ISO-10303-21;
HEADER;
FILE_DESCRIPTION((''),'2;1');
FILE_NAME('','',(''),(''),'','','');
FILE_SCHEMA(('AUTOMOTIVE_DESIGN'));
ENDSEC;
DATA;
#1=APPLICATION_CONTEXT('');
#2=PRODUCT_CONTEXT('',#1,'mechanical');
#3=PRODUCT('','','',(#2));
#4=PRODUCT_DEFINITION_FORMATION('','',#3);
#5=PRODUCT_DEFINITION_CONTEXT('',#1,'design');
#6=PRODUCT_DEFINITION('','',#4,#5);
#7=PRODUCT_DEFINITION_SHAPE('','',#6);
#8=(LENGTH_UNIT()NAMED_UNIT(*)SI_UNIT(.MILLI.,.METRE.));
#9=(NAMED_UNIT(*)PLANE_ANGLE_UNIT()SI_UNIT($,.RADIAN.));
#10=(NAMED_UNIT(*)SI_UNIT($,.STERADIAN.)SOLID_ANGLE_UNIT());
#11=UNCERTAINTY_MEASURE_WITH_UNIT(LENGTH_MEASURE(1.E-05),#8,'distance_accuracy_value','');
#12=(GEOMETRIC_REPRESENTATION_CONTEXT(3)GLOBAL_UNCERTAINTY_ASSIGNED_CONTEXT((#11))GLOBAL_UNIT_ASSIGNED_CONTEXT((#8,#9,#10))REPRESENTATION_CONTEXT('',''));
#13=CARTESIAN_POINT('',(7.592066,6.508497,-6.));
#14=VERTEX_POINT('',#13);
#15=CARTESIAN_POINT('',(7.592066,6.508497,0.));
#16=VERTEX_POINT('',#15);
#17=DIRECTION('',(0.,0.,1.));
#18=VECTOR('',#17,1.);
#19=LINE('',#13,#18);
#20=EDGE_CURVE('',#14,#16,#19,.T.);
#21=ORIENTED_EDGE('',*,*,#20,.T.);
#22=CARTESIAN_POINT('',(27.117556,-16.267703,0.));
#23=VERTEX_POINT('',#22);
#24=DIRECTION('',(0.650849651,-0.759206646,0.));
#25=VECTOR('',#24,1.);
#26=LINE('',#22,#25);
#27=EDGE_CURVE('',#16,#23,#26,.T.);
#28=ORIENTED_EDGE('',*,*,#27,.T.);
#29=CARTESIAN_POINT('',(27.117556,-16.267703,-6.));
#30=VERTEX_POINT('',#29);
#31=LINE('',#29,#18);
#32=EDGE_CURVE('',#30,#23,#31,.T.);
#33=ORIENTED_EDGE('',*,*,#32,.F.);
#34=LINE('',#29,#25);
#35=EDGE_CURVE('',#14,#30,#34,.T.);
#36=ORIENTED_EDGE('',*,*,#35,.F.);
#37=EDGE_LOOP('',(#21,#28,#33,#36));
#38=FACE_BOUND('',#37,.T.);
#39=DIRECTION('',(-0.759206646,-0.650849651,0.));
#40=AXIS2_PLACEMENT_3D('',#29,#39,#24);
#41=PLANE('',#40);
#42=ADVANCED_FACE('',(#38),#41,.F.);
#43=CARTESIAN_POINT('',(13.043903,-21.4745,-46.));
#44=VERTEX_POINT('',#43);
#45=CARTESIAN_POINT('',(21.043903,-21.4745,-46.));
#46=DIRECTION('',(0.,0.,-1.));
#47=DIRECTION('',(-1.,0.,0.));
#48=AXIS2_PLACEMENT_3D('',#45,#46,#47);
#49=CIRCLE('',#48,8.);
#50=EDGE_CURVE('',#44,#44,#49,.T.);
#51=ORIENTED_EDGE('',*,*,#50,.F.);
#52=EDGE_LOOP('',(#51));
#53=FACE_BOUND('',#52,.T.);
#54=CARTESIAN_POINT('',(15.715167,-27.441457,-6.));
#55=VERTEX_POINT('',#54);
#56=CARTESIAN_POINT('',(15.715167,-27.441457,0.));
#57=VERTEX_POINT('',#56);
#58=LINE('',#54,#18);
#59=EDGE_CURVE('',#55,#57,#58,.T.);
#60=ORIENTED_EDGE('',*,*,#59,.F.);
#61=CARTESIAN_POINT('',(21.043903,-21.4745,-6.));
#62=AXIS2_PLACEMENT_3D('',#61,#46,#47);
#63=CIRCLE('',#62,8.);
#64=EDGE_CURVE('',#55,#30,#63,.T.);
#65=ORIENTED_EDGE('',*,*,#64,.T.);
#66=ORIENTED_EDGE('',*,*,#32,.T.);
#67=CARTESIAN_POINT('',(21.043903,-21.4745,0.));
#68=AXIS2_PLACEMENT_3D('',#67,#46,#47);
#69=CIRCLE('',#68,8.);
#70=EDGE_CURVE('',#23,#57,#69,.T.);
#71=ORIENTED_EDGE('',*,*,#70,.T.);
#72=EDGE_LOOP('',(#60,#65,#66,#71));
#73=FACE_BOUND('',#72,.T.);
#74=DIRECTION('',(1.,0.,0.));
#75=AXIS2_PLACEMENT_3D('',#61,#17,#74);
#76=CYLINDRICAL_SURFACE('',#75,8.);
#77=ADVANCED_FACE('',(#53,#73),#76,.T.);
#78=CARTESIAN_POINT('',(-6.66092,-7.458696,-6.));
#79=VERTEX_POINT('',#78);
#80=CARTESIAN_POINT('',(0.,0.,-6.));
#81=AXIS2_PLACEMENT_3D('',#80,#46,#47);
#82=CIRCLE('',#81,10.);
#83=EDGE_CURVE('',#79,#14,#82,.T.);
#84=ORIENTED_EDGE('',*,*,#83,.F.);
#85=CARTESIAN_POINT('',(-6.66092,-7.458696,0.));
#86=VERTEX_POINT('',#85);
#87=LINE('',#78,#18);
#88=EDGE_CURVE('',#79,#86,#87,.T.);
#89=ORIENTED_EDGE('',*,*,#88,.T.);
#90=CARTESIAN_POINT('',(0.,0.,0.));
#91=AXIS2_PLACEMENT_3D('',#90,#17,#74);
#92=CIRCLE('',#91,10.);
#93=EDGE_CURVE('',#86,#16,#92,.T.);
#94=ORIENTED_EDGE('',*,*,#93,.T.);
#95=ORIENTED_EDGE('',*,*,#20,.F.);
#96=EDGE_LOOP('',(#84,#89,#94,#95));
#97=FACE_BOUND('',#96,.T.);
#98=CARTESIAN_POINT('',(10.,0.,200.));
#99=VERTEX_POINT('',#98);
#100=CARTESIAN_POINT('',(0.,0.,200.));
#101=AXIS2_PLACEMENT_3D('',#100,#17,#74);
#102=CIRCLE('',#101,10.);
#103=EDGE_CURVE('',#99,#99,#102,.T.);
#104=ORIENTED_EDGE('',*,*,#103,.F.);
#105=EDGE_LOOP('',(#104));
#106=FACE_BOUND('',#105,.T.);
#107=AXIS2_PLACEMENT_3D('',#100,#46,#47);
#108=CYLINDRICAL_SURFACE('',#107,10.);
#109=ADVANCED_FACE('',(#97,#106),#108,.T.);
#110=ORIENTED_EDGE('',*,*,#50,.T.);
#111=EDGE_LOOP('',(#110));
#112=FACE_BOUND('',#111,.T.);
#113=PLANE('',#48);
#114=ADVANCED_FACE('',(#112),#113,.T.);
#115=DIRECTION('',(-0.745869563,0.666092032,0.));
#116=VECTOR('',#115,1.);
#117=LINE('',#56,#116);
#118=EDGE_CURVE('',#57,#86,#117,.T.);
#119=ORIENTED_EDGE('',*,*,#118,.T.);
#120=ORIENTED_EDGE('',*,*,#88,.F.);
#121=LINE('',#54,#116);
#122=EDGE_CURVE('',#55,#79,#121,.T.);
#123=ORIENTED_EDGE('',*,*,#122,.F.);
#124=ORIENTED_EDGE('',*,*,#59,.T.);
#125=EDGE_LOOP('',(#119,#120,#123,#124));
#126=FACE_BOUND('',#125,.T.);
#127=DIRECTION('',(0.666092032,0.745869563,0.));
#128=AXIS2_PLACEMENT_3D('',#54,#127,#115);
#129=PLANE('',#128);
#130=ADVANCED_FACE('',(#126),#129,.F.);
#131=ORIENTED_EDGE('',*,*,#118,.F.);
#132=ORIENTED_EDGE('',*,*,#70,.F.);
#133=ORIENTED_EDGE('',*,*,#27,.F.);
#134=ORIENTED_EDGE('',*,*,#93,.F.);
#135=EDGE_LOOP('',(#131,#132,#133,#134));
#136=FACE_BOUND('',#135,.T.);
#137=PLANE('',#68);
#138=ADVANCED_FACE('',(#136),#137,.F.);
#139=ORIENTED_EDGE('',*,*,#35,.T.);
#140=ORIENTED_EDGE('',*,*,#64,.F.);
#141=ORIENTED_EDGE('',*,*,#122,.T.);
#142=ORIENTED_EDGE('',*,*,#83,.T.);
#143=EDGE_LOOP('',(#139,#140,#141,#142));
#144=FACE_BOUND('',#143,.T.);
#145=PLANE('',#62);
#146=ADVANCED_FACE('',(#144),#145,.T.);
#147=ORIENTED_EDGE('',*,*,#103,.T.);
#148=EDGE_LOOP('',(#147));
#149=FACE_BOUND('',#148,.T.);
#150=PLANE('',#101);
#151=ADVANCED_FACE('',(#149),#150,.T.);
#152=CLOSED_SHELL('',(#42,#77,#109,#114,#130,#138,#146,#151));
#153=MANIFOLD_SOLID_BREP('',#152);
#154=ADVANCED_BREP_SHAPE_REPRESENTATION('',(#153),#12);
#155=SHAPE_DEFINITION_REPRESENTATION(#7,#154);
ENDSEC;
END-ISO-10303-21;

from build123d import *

# Parameters (mm, degrees)
SKETCH1_R           = 10
BOSS_EXTRUDE1_DEPTH = 200
BOSS_EXTRUDE2_DEPTH = 6
SKETCH4_R           = 8
BOSS_EXTRUDE3_DEPTH = 40


with BuildPart() as part:
    # Sketch1 → Boss-Extrude1 (new body)
    with BuildSketch(Plane.XY):
        Circle(SKETCH1_R)
    extrude(amount=BOSS_EXTRUDE1_DEPTH)

    # Sketch2 → Boss-Extrude2 (add)
    with BuildSketch(Plane(origin=(0, 0, 0), x_dir=(-1, 0, 0), z_dir=(0, 0, -1))):
        with BuildLine():
            Line((-27.117555988, -16.267702887), (-7.592066465, 6.508496508))
            ThreePointArc((-7.592066465, 6.508496508), (6.999097965, 7.142312488), (6.660920323, -7.458695627))
            Line((6.660920323, -7.458695627), (-15.715166558, -27.441456595))
            ThreePointArc((-15.715166558, -27.441456595), (-26.643181188, -27.188350084), (-27.117555988, -16.267702887))
        make_face()
    extrude(amount=BOSS_EXTRUDE2_DEPTH)

    # Sketch4 → Boss-Extrude3 (add)
    with BuildSketch(Plane(origin=(0, 0, -6), x_dir=(-1, 0, 0), z_dir=(0, 0, -1))):
        with Locations((-21.043902817, -21.474500093)):
            Circle(SKETCH4_R)
    extrude(amount=BOSS_EXTRUDE3_DEPTH)


solid = part.part
